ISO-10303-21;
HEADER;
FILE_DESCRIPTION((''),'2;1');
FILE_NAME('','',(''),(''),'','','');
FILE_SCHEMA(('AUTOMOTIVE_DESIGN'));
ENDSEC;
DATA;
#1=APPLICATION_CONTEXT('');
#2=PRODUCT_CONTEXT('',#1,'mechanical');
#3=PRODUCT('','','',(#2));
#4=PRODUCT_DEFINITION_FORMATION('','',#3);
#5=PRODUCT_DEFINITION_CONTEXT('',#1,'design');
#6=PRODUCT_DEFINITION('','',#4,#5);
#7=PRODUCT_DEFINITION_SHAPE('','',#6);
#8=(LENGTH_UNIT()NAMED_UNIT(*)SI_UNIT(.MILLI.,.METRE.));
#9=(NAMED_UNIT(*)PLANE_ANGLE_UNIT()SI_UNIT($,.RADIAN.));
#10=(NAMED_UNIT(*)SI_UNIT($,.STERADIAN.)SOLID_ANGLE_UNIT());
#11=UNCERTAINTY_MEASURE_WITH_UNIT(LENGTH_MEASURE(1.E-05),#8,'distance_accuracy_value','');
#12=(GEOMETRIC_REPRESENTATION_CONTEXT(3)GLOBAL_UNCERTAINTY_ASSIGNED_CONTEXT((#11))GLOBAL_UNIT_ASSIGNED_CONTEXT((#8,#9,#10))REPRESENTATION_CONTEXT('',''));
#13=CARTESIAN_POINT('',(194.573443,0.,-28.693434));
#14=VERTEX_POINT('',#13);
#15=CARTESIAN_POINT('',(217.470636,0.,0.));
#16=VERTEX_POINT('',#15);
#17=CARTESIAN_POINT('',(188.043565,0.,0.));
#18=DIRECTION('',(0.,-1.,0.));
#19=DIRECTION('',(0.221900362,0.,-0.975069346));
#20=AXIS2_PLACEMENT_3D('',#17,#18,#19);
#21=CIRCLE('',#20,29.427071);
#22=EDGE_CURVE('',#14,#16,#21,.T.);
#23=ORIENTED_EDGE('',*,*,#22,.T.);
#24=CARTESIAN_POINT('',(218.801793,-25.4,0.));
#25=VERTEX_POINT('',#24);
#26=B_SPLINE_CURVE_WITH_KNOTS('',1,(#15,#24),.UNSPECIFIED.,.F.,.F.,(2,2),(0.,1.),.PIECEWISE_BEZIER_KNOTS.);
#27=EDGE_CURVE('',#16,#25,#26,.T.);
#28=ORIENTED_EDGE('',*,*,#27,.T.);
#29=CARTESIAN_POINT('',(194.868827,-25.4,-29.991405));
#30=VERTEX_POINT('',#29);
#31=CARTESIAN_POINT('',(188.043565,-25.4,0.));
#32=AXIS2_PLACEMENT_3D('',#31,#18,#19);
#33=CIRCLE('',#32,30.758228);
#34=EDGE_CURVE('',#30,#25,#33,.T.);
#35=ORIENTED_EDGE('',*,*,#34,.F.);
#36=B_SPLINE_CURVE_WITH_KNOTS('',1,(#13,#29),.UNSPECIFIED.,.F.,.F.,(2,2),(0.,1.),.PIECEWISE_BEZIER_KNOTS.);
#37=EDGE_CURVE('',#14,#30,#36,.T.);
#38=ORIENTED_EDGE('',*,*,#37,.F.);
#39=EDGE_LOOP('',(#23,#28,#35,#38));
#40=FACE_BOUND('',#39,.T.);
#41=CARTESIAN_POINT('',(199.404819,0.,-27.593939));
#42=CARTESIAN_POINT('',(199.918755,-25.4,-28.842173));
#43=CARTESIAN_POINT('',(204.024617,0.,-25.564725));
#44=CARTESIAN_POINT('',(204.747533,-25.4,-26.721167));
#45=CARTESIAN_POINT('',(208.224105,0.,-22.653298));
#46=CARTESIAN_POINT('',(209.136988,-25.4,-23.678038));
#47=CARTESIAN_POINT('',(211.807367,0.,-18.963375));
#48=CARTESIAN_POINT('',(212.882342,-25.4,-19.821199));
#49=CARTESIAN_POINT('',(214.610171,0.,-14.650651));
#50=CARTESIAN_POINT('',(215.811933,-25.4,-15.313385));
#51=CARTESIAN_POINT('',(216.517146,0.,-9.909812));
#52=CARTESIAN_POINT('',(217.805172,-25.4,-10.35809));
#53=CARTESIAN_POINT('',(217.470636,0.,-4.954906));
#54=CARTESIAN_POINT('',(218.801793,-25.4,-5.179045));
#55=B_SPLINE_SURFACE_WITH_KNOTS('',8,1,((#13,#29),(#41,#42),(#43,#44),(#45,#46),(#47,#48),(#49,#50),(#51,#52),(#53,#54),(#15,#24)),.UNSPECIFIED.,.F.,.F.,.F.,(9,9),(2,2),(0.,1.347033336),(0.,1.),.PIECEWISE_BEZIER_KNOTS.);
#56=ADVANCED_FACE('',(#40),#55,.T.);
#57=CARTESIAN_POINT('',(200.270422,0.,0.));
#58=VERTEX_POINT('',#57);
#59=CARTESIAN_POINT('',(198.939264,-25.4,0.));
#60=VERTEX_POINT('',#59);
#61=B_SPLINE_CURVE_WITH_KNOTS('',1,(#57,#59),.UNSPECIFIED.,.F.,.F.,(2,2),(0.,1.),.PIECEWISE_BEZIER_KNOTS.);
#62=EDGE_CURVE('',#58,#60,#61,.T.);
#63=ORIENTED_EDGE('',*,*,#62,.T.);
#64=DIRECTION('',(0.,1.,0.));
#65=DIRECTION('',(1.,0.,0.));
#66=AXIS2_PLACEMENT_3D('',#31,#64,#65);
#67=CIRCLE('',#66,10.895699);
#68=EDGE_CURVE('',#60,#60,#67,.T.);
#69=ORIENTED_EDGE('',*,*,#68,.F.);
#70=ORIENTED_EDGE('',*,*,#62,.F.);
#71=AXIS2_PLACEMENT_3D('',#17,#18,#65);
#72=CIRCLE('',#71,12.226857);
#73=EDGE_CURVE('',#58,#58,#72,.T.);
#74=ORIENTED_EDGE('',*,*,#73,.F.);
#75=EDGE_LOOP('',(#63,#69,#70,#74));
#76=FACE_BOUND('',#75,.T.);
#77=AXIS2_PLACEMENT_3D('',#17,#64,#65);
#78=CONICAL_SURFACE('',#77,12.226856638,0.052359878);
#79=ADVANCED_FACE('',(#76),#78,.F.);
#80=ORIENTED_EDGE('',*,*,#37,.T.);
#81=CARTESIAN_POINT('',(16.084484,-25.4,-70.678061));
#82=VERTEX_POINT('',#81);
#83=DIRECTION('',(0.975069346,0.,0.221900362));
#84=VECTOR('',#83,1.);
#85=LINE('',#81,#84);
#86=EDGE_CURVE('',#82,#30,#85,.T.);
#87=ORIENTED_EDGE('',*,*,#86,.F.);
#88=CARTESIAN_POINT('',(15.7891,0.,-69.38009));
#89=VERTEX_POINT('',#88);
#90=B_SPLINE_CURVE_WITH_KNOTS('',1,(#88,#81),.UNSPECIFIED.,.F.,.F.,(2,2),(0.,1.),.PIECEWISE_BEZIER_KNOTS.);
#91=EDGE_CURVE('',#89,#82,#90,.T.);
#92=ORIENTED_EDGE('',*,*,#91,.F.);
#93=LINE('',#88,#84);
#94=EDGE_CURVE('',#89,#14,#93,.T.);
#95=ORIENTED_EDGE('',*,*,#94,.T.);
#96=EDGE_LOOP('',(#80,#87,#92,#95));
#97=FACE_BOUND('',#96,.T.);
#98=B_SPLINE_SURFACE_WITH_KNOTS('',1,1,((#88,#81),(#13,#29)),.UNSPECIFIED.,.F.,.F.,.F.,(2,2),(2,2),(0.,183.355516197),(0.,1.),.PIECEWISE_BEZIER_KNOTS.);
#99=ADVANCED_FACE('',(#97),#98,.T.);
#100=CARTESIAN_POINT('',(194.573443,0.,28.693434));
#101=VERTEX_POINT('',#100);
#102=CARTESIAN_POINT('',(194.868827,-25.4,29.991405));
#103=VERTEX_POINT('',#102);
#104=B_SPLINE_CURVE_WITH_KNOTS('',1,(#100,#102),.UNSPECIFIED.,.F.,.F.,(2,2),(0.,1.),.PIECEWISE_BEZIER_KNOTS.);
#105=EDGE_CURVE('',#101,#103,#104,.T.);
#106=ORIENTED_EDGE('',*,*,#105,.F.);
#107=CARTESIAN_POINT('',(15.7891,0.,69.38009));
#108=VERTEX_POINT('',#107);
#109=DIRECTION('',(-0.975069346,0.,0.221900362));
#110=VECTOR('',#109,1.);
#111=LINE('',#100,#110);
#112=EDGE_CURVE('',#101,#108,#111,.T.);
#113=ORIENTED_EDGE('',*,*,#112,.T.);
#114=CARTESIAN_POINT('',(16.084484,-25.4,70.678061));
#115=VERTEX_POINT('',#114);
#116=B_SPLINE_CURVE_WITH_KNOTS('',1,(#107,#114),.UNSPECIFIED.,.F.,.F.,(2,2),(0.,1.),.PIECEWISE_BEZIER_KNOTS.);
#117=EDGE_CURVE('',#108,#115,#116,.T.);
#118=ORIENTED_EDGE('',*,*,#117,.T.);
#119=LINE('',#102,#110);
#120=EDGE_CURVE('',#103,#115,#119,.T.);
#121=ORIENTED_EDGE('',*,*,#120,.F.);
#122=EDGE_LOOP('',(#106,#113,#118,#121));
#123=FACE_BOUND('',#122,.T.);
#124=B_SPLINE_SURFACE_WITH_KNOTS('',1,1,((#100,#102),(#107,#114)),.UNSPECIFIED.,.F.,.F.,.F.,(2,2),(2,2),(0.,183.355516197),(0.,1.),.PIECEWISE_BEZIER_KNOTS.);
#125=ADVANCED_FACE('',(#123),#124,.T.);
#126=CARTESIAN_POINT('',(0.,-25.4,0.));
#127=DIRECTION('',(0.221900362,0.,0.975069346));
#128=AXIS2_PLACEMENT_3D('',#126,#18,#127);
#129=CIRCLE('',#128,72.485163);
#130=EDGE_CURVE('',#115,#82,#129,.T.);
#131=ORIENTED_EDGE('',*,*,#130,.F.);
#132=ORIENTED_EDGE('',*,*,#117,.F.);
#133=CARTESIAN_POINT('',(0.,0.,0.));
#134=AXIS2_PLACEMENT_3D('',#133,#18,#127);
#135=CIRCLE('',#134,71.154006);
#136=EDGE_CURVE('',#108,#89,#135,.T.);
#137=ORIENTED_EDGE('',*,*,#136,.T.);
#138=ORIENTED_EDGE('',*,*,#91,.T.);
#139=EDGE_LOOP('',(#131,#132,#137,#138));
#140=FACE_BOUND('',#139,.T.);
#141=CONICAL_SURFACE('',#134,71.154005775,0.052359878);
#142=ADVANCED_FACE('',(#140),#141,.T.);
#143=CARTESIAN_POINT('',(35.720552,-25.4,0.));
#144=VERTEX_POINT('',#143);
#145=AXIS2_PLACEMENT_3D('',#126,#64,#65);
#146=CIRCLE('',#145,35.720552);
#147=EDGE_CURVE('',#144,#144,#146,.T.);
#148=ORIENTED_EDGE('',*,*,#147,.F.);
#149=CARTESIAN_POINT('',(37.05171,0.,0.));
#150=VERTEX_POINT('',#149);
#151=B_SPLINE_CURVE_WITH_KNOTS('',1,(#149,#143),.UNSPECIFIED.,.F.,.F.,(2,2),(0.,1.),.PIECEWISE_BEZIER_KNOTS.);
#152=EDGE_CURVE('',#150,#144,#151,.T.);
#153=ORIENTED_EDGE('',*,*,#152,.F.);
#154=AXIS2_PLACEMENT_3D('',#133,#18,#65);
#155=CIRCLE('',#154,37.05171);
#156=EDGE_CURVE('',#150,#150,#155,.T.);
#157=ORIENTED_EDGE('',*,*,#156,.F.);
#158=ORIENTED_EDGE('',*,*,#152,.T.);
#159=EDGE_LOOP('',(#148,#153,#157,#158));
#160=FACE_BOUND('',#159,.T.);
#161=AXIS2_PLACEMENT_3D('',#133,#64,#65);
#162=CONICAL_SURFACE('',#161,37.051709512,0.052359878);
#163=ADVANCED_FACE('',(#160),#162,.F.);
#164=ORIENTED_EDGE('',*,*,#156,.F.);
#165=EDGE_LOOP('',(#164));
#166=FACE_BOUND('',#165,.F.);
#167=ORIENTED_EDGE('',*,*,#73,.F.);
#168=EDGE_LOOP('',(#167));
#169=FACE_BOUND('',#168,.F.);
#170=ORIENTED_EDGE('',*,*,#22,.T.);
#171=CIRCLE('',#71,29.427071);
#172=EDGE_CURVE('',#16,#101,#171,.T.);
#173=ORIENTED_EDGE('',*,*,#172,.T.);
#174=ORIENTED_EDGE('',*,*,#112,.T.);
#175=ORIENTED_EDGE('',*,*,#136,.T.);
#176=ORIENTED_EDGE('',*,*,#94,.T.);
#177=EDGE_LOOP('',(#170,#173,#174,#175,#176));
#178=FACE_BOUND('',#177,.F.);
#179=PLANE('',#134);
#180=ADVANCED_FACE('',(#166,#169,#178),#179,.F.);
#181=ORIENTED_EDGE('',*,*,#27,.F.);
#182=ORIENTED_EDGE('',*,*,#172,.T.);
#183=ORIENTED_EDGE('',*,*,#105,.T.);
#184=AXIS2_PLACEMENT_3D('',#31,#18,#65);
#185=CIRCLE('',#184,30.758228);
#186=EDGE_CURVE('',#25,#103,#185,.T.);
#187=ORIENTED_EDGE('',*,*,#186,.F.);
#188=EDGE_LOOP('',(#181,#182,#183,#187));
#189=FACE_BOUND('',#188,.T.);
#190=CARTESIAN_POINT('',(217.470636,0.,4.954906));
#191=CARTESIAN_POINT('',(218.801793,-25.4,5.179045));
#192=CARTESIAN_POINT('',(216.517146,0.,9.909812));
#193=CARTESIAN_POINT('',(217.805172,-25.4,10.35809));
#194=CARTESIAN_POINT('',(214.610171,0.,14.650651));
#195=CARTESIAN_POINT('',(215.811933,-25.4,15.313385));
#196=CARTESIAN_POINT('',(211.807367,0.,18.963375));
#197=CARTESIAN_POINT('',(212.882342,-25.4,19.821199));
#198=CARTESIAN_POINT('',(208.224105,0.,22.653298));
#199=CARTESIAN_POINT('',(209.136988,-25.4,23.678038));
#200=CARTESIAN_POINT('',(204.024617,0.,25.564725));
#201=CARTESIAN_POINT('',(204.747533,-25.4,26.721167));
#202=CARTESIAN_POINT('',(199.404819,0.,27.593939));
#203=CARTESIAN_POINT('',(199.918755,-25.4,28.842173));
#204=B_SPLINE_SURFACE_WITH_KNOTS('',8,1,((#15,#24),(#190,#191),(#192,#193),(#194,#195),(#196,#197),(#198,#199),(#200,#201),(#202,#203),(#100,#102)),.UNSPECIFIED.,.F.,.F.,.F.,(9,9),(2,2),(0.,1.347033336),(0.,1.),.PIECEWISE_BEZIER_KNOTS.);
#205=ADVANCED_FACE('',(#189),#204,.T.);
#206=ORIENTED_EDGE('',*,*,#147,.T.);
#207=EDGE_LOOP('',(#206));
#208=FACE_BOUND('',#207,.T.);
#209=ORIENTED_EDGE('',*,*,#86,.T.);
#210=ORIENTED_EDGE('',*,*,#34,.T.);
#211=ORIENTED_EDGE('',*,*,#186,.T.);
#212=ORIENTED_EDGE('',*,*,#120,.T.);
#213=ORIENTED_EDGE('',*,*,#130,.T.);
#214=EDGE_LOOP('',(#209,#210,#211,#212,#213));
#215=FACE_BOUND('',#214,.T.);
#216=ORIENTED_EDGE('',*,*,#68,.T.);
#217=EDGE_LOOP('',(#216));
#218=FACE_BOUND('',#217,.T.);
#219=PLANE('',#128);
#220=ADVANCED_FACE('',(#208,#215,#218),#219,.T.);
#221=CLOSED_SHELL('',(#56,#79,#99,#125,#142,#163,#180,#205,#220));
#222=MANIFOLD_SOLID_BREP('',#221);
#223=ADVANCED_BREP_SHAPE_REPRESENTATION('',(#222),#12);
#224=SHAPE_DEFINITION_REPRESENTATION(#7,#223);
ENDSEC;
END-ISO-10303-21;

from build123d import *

# Parameters (mm, degrees)
F0_R     = 37.051709512
F0_R_2   = 12.2268566379
F1_DEPTH = 25.4
F1_TAPER = -3


with BuildPart() as f1:
    # F0 (on Front) → F1 (new body)
    with BuildSketch(Plane.XZ):
        with BuildLine():
            ThreePointArc((15.7890996592, -69.3800898661), (55.6163205643, -44.3814986765), (71.1540057753, 0))
            ThreePointArc((71.1540057753, 0), (55.6163205643, 44.3814986765), (15.7890996592, 69.3800898661))
            ThreePointArc((15.7890996592, 69.3800898661), (-71.1540057753, 0), (15.7890996592, -69.3800898661))
        make_face()
        Circle(F0_R, mode=Mode.SUBTRACT)
        with BuildLine():
            ThreePointArc((15.7890996592, 69.3800898661), (55.6163205643, 44.3814986765), (71.1540057753, 0))
            ThreePointArc((71.1540057753, 0), (55.6163205643, -44.3814986765), (15.7890996592, -69.3800898661))
            Line((15.7890996592, -69.3800898661), (194.573442896, -28.6934343959))
            ThreePointArc((194.573442896, -28.6934343959), (158.6164947747, 0), (194.573442896, 28.6934343959))
            Line((194.573442896, 28.6934343959), (15.7890996592, 69.3800898661))
        make_face()
        with BuildLine():
            ThreePointArc((217.4706358018, 0), (211.0447353434, 18.3547992389), (194.573442896, 28.6934343959))
            ThreePointArc((194.573442896, 28.6934343959), (158.6164947747, 0), (194.573442896, -28.6934343959))
            ThreePointArc((194.573442896, -28.6934343959), (211.0447353434, -18.3547992389), (217.4706358018, 0))
        make_face()
        with Locations((188.0435652882, 0)):
            Circle(F0_R_2, mode=Mode.SUBTRACT)
    extrude(amount=F1_DEPTH, taper=F1_TAPER)


solid = f1.part
